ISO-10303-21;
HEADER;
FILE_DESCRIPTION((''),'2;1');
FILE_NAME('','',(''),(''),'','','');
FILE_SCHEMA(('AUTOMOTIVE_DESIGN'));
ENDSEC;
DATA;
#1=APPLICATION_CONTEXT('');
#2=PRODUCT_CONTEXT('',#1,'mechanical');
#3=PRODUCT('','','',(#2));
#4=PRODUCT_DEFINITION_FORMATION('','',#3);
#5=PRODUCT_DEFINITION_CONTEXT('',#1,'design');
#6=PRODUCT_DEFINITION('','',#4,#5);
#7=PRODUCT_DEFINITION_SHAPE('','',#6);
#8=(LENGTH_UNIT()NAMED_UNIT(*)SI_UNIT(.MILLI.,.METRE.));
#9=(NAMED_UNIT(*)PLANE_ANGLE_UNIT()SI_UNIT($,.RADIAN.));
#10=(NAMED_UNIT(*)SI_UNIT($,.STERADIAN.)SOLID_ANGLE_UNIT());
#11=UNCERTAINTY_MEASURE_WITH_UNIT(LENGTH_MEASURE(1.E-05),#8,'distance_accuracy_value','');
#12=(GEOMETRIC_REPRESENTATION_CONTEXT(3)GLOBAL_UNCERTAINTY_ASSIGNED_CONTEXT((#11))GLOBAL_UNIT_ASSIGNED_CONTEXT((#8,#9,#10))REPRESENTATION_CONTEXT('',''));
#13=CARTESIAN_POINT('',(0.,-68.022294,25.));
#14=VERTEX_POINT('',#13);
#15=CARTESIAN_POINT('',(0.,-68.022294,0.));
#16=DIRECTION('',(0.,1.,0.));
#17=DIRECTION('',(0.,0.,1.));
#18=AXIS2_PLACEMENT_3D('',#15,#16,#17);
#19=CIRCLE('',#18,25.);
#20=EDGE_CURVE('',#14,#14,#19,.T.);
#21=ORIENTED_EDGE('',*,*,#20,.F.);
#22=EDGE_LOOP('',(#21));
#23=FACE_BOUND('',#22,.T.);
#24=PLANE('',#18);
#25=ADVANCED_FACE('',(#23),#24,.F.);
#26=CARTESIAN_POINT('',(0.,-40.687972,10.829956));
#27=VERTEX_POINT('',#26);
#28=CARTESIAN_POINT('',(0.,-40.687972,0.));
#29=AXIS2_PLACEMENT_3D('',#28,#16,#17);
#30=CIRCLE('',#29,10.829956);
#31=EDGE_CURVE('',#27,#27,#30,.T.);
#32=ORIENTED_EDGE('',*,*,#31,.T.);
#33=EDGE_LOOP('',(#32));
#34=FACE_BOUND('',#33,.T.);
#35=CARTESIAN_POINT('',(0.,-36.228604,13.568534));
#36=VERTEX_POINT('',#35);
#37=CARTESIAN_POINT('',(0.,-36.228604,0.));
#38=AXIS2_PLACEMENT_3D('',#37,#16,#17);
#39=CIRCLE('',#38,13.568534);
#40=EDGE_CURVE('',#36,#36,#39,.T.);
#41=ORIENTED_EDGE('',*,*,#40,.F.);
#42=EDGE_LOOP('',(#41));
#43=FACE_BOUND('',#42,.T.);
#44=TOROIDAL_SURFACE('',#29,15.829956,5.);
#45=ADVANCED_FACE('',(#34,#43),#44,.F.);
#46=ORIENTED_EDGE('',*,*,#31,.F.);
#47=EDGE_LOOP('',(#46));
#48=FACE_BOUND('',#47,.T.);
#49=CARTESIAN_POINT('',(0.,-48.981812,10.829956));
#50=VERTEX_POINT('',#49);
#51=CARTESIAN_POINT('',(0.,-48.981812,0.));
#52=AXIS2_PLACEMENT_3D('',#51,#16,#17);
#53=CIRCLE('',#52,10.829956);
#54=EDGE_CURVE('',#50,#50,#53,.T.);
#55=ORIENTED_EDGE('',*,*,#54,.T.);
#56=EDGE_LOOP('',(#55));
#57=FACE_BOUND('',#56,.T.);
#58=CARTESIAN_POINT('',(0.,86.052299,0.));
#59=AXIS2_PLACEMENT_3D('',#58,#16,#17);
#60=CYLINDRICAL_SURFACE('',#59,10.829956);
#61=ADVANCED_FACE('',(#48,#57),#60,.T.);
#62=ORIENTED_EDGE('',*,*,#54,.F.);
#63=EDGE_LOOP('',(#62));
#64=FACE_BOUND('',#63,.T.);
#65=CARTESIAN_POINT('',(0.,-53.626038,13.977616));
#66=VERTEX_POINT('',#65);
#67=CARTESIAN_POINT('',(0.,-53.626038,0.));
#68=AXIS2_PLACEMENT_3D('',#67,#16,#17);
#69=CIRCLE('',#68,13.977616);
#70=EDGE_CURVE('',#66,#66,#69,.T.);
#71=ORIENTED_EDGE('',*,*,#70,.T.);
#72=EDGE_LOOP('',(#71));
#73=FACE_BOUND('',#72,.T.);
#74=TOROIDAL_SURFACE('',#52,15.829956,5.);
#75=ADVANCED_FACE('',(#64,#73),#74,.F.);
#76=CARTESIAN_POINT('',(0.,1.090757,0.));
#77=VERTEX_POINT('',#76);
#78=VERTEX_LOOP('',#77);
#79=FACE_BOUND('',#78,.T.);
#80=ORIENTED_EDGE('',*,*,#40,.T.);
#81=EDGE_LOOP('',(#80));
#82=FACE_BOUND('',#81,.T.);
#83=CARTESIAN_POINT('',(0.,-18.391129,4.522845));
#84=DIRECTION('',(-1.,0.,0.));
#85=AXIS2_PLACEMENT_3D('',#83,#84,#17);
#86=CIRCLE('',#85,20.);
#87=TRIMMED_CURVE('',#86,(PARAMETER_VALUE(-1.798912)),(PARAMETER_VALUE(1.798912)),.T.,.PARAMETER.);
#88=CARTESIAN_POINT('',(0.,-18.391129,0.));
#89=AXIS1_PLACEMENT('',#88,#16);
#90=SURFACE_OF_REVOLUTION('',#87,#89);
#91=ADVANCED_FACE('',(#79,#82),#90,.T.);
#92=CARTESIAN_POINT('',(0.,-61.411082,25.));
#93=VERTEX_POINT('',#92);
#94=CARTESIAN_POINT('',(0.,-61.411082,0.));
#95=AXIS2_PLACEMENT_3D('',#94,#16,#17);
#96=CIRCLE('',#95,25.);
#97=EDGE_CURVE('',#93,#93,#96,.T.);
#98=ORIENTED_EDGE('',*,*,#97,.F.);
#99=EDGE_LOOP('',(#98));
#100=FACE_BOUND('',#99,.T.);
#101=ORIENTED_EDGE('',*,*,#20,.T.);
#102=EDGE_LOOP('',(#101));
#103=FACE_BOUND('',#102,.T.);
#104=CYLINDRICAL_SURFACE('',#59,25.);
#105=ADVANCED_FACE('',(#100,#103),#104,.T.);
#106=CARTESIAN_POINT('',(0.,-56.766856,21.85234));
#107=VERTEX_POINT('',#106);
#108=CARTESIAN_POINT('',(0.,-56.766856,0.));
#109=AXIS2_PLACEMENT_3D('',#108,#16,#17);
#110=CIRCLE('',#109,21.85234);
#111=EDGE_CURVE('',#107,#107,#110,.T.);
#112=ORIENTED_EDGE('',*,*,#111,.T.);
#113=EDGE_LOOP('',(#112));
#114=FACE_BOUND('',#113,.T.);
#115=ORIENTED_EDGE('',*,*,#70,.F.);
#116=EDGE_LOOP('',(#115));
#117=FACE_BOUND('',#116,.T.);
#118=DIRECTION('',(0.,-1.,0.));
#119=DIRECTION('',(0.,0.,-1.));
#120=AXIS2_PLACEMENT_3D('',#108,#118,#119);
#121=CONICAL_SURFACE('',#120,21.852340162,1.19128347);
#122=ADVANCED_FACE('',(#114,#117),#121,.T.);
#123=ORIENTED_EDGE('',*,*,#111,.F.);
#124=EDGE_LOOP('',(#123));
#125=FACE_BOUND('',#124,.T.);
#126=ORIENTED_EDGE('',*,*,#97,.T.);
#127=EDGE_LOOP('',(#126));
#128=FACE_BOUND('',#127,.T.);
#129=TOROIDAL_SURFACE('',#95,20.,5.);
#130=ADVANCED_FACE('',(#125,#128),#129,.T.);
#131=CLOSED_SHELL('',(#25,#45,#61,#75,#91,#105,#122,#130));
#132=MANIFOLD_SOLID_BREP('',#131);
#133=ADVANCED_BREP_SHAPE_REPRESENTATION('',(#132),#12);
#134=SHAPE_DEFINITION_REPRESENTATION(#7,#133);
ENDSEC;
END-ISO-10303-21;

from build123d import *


with BuildPart() as part:
    # Sketch1 → Revolve3 (revolve)
    with BuildSketch(Plane.XY, mode=Mode.PRIVATE) as revolve3_sk:
        with BuildLine():
            Line((0, -68.022293588), (25, -68.022293588))
            Line((25, -68.022293588), (25, -61.411081925))
            ThreePointArc((25, -61.411081925), (24.138943151, -58.605881469), (21.852340162, -56.76685584))
            Line((21.852340162, -56.76685584), (13.977616179, -53.626038138))
            ThreePointArc((13.977616179, -53.626038138), (11.69101319, -51.787012509), (10.829956341, -48.981812053))
            Line((10.829956341, -48.981812053), (10.829956341, -40.687972187))
            ThreePointArc((10.829956341, -40.687972187), (11.569257357, -38.071401117), (13.568534007, -36.228603507))
            ThreePointArc((13.568534007, -36.228603507), (23.319059693, -11.557220625), (0, 1.090757059))
            Line((0, 1.090757059), (0, -68.022293588))
        make_face()
    revolve(revolve3_sk.sketch.rotate(Axis((0, 86.052299117, 0), (0, -1, 0)), 90), axis=Axis((0, 86.052299117, 0), (0, -1, 0)))


solid = part.part
